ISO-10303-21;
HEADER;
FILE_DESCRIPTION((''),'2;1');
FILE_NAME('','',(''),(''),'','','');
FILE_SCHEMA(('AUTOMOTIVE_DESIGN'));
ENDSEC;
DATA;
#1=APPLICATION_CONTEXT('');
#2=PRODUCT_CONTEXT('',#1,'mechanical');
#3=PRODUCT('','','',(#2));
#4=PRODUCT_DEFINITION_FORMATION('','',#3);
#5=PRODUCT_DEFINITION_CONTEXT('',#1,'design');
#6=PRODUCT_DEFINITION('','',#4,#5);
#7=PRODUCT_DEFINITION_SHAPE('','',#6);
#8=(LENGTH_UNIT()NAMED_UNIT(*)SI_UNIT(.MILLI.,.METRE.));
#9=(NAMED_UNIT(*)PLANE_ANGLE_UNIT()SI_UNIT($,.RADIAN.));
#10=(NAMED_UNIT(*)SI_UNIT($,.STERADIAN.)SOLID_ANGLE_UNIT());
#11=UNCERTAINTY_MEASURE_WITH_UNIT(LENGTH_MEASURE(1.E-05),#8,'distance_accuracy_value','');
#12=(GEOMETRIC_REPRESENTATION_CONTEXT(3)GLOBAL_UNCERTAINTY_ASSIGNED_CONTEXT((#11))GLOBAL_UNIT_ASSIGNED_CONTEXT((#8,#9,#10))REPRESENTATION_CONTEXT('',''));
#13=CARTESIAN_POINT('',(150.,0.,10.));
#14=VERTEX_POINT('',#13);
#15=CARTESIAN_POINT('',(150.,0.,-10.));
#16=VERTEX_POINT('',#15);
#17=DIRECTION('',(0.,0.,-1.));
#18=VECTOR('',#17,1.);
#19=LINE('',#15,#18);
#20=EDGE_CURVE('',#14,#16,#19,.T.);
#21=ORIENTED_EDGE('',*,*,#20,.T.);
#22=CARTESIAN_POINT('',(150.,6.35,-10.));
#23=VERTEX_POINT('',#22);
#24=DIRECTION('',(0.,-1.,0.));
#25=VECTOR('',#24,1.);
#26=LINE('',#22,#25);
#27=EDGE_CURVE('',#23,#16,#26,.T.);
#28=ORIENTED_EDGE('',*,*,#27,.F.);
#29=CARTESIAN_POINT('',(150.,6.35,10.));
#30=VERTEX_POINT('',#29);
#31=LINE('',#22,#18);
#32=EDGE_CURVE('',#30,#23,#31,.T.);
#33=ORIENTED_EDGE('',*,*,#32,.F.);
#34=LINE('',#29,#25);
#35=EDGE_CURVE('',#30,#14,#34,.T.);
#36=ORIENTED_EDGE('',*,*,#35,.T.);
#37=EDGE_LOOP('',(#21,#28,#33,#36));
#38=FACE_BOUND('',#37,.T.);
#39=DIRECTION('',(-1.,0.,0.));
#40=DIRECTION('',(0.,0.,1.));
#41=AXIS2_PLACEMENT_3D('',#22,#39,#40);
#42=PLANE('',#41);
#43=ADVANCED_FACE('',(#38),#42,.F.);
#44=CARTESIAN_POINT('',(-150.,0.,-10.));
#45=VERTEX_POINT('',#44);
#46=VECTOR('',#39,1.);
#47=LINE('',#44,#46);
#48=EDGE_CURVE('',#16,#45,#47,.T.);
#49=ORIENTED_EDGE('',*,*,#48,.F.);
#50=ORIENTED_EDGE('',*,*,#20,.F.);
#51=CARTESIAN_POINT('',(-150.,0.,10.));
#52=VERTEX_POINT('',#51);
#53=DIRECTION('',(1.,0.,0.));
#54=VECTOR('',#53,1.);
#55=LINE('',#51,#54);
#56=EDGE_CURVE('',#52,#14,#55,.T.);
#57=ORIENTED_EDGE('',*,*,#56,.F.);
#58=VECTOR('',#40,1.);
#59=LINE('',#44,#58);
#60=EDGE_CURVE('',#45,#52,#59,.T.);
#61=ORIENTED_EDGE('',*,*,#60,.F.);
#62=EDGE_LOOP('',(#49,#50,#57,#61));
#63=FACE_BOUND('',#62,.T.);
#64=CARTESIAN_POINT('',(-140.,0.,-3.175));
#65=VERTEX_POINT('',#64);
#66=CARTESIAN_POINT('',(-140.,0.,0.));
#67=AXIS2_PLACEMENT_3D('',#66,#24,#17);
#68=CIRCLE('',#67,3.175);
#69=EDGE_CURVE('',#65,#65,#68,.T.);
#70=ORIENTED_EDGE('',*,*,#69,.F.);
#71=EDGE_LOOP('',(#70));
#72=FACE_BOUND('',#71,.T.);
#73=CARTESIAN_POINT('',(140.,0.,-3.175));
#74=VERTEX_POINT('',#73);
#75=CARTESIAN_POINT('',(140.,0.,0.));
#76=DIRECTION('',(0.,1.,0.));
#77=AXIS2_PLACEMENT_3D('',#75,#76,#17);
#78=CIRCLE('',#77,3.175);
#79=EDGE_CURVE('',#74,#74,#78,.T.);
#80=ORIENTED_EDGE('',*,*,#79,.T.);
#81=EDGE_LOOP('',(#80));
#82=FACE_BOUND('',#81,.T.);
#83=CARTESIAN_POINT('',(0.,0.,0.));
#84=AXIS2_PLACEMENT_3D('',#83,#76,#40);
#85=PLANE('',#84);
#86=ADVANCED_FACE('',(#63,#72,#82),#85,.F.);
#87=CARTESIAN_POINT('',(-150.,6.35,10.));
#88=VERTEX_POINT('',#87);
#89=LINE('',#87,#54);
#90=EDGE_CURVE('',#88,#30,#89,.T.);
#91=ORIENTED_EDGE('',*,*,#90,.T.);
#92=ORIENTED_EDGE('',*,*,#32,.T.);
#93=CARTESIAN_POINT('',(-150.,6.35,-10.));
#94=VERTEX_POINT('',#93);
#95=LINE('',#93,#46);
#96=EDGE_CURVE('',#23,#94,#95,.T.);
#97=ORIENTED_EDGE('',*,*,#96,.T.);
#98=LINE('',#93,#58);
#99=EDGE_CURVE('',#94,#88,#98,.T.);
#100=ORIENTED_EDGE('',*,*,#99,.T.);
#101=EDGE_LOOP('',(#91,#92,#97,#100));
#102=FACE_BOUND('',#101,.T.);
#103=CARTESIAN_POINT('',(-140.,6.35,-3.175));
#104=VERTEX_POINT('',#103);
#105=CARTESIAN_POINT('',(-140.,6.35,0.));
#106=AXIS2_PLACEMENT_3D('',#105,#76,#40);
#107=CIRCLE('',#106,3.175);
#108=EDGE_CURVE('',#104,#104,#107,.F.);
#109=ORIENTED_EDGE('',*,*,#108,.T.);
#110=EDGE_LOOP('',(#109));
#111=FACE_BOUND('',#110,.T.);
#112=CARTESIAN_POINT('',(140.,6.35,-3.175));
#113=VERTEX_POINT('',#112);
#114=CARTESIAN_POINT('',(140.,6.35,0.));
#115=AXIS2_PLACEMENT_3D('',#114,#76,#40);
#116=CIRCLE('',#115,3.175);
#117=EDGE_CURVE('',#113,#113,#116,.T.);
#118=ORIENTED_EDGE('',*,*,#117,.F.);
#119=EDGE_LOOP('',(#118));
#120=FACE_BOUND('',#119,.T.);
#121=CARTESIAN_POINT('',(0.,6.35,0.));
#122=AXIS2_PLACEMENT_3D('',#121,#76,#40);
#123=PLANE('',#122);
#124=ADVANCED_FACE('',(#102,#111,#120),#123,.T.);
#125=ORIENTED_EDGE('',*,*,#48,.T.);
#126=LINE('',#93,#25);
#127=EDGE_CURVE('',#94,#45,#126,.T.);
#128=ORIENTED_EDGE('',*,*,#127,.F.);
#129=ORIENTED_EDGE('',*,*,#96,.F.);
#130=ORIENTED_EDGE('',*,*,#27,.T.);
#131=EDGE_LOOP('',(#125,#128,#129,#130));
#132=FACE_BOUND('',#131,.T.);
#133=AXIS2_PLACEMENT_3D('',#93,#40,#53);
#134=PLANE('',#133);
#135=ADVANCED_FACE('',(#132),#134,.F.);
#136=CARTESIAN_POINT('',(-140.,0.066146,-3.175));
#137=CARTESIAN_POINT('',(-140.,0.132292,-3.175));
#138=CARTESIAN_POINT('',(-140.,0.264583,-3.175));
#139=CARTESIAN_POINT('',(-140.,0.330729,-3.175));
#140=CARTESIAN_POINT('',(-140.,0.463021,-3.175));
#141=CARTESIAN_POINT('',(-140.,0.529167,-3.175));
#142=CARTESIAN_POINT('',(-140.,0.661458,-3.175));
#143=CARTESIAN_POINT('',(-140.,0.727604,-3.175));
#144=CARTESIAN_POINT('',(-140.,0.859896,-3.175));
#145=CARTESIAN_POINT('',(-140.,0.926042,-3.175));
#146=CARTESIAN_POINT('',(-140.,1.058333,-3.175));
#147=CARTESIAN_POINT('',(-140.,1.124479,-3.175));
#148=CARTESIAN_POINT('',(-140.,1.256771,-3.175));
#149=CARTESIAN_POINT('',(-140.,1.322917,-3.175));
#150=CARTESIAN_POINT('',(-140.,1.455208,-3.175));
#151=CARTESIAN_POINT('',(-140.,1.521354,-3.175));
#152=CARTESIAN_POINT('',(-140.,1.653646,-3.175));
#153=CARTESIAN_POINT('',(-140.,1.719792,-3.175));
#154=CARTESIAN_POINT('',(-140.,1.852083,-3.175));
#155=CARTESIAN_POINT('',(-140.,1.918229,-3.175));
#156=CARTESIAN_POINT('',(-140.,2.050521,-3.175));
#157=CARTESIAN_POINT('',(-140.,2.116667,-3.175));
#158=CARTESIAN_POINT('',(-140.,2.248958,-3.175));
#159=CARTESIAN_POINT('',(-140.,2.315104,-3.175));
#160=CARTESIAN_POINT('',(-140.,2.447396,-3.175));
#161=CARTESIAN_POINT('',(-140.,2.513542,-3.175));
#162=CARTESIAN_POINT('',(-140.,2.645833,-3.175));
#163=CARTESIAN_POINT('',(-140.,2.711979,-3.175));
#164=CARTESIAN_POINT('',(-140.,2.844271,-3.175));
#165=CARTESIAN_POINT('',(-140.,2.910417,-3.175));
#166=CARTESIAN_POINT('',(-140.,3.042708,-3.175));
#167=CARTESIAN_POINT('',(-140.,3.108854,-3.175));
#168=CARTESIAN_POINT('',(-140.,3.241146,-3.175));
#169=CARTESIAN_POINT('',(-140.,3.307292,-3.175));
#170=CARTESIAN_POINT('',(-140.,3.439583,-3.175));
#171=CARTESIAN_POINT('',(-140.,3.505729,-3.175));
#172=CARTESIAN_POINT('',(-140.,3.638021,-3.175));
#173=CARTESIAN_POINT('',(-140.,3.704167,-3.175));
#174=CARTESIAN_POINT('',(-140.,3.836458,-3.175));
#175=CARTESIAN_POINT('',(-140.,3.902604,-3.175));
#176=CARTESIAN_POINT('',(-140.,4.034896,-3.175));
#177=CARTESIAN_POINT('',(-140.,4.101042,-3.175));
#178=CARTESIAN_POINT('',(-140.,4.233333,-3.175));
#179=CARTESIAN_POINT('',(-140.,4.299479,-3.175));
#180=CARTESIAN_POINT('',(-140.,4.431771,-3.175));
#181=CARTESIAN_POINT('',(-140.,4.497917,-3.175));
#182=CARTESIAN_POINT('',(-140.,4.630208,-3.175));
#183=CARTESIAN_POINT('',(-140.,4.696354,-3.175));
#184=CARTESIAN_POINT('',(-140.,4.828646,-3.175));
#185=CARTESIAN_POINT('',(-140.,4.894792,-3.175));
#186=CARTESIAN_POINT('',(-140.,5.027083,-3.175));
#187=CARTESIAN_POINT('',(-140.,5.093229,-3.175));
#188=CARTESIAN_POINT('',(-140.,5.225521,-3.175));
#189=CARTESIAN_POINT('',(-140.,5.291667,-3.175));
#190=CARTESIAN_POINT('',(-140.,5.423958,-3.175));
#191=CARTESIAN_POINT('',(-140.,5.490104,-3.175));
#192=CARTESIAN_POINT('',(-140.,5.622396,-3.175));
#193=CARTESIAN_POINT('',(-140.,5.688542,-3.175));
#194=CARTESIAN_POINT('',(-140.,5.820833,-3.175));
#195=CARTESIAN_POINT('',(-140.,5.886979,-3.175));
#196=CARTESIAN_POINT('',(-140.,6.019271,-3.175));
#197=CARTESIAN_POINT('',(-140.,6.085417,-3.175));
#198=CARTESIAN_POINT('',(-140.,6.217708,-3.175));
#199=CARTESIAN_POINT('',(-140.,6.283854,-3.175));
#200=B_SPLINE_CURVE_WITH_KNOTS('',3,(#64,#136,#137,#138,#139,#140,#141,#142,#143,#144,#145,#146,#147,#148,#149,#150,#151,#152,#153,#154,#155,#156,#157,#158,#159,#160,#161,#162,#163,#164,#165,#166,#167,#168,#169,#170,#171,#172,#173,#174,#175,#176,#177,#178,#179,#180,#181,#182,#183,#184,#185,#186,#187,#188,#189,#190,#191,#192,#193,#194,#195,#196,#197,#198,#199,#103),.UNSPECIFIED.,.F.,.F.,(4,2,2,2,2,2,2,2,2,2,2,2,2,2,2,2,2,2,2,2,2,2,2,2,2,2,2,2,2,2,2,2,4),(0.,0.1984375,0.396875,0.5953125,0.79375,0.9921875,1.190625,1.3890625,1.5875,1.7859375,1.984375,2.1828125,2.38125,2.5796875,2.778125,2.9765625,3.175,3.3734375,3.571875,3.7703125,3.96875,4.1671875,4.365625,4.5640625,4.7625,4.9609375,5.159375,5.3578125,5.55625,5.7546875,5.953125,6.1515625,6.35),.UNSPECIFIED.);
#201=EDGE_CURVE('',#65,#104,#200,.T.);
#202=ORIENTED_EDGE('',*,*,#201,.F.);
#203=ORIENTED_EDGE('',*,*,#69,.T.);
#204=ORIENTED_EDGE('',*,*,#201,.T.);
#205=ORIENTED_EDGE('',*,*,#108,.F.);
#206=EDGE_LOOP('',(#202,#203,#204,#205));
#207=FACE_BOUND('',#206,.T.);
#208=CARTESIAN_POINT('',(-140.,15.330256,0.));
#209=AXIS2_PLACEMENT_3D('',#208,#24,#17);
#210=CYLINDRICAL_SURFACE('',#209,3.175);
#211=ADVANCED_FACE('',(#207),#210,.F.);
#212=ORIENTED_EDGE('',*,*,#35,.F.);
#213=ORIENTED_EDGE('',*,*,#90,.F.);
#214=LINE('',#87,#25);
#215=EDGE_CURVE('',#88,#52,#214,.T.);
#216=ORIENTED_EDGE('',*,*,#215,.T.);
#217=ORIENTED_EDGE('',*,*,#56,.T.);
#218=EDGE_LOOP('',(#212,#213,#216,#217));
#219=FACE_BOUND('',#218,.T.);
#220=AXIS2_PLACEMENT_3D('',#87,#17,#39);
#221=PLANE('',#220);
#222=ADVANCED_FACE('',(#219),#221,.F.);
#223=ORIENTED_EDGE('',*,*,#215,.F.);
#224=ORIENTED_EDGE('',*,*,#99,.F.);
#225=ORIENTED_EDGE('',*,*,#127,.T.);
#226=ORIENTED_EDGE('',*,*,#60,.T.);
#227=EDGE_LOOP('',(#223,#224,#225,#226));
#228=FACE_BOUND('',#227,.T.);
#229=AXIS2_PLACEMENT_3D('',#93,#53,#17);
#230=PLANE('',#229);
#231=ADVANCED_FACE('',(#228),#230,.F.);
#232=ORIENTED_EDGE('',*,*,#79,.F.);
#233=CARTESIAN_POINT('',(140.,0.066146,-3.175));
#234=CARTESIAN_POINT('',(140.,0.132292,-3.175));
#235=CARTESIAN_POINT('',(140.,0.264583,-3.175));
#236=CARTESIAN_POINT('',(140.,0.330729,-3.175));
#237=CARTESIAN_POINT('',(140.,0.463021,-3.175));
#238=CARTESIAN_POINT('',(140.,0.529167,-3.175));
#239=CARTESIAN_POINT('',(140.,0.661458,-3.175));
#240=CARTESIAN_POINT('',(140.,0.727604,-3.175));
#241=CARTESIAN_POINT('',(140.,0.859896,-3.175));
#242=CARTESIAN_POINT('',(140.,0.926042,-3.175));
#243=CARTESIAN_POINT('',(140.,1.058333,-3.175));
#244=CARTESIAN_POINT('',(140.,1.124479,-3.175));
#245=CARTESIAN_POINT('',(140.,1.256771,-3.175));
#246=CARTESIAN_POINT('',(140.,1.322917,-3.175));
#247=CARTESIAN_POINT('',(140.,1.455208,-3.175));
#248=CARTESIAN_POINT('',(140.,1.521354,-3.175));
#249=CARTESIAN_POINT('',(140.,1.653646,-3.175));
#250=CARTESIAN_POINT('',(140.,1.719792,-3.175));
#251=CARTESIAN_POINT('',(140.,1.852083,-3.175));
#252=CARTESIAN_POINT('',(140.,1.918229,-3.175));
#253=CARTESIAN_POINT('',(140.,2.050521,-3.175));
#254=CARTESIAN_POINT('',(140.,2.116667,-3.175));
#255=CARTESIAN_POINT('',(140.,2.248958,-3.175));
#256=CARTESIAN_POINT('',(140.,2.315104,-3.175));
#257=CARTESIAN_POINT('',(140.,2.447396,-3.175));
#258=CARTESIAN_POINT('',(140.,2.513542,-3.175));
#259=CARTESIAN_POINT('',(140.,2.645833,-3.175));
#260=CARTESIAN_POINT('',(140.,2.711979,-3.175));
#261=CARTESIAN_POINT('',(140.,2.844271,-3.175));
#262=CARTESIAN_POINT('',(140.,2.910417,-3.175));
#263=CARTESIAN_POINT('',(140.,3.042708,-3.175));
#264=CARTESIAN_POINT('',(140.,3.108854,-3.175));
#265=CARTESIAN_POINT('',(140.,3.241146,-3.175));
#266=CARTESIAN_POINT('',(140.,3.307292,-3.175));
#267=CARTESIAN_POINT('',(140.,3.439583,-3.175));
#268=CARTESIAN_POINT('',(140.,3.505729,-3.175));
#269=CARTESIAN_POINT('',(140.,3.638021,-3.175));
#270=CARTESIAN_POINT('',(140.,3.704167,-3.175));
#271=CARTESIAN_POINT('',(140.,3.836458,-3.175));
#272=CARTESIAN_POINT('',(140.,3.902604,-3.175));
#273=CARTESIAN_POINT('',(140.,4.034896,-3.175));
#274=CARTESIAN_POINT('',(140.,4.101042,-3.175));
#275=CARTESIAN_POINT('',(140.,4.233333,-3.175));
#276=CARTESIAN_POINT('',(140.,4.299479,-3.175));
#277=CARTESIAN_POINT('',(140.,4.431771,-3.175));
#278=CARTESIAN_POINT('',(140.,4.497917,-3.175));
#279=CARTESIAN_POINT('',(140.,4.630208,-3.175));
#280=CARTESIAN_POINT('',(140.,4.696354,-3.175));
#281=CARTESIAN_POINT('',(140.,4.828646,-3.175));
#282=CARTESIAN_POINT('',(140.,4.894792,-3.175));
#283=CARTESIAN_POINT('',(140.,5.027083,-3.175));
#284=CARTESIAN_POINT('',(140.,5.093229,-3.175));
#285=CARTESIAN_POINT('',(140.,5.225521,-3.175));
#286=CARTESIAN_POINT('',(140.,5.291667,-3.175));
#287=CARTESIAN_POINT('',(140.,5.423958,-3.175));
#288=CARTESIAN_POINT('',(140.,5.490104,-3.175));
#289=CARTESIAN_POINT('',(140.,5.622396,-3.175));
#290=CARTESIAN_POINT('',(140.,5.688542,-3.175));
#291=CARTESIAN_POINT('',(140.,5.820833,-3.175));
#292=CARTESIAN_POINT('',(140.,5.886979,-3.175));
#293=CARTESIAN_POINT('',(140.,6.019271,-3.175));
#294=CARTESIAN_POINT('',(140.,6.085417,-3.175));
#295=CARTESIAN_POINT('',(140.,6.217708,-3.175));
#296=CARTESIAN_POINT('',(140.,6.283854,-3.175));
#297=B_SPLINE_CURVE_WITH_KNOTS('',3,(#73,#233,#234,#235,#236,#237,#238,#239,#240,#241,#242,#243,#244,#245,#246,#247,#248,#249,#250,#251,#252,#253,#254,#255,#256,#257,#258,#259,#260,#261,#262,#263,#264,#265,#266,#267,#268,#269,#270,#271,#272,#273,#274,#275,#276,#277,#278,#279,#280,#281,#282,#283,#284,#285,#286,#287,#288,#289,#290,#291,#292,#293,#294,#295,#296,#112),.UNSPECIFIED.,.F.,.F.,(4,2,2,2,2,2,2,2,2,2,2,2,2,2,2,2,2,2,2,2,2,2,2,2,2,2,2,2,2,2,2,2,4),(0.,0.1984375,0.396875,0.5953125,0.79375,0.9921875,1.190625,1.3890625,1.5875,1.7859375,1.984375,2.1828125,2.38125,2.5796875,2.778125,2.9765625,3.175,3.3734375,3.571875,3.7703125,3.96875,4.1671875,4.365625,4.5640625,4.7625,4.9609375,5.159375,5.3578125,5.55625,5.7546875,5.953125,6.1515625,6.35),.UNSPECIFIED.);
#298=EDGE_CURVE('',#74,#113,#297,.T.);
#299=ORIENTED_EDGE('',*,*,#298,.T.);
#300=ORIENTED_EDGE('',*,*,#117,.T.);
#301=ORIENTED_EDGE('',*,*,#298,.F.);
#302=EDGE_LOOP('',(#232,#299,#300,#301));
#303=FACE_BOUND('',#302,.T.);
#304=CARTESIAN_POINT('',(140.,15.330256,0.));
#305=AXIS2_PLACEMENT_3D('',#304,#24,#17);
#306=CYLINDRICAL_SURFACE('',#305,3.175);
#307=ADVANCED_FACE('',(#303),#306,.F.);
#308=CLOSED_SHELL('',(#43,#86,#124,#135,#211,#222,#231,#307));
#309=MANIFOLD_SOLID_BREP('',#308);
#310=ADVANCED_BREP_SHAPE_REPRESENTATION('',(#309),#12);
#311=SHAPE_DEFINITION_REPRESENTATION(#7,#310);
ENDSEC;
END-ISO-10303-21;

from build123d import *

# Parameters (mm, degrees)
SKETCH1_W           = 300
SKETCH1_H           = 20
BOSS_EXTRUDE1_DEPTH = 6.35
SKETCH2_R           = 3.175
CUT_EXTRUDE1_DEPTH  = 6.35


with BuildPart() as part:
    # Sketch1 → Boss-Extrude1 (new body)
    with BuildSketch(Plane(origin=(0, 0, 0), x_dir=(1, 0, 0), z_dir=(0, 1, 0))):
        Rectangle(SKETCH1_W, SKETCH1_H)
    extrude(amount=BOSS_EXTRUDE1_DEPTH)

    # Sketch2 → Cut-Extrude1 (cut)
    with BuildSketch(Plane(origin=(0, 0, 0), x_dir=(-1, 0, 0), z_dir=(0, -1, 0))):
        with Locations(Location((140, 0, 0), (0, 0, 90))):
            Circle(SKETCH2_R)
    cut_extrude1 = extrude(amount=-CUT_EXTRUDE1_DEPTH, mode=Mode.SUBTRACT)

    # Mirror1: Cut-Extrude1 across plane
    add(cut_extrude1.mirror(Plane(origin=(0, 0, 0), x_dir=(0, 0, 1), z_dir=(1, 0, 0))), mode=Mode.SUBTRACT)


solid = part.part
